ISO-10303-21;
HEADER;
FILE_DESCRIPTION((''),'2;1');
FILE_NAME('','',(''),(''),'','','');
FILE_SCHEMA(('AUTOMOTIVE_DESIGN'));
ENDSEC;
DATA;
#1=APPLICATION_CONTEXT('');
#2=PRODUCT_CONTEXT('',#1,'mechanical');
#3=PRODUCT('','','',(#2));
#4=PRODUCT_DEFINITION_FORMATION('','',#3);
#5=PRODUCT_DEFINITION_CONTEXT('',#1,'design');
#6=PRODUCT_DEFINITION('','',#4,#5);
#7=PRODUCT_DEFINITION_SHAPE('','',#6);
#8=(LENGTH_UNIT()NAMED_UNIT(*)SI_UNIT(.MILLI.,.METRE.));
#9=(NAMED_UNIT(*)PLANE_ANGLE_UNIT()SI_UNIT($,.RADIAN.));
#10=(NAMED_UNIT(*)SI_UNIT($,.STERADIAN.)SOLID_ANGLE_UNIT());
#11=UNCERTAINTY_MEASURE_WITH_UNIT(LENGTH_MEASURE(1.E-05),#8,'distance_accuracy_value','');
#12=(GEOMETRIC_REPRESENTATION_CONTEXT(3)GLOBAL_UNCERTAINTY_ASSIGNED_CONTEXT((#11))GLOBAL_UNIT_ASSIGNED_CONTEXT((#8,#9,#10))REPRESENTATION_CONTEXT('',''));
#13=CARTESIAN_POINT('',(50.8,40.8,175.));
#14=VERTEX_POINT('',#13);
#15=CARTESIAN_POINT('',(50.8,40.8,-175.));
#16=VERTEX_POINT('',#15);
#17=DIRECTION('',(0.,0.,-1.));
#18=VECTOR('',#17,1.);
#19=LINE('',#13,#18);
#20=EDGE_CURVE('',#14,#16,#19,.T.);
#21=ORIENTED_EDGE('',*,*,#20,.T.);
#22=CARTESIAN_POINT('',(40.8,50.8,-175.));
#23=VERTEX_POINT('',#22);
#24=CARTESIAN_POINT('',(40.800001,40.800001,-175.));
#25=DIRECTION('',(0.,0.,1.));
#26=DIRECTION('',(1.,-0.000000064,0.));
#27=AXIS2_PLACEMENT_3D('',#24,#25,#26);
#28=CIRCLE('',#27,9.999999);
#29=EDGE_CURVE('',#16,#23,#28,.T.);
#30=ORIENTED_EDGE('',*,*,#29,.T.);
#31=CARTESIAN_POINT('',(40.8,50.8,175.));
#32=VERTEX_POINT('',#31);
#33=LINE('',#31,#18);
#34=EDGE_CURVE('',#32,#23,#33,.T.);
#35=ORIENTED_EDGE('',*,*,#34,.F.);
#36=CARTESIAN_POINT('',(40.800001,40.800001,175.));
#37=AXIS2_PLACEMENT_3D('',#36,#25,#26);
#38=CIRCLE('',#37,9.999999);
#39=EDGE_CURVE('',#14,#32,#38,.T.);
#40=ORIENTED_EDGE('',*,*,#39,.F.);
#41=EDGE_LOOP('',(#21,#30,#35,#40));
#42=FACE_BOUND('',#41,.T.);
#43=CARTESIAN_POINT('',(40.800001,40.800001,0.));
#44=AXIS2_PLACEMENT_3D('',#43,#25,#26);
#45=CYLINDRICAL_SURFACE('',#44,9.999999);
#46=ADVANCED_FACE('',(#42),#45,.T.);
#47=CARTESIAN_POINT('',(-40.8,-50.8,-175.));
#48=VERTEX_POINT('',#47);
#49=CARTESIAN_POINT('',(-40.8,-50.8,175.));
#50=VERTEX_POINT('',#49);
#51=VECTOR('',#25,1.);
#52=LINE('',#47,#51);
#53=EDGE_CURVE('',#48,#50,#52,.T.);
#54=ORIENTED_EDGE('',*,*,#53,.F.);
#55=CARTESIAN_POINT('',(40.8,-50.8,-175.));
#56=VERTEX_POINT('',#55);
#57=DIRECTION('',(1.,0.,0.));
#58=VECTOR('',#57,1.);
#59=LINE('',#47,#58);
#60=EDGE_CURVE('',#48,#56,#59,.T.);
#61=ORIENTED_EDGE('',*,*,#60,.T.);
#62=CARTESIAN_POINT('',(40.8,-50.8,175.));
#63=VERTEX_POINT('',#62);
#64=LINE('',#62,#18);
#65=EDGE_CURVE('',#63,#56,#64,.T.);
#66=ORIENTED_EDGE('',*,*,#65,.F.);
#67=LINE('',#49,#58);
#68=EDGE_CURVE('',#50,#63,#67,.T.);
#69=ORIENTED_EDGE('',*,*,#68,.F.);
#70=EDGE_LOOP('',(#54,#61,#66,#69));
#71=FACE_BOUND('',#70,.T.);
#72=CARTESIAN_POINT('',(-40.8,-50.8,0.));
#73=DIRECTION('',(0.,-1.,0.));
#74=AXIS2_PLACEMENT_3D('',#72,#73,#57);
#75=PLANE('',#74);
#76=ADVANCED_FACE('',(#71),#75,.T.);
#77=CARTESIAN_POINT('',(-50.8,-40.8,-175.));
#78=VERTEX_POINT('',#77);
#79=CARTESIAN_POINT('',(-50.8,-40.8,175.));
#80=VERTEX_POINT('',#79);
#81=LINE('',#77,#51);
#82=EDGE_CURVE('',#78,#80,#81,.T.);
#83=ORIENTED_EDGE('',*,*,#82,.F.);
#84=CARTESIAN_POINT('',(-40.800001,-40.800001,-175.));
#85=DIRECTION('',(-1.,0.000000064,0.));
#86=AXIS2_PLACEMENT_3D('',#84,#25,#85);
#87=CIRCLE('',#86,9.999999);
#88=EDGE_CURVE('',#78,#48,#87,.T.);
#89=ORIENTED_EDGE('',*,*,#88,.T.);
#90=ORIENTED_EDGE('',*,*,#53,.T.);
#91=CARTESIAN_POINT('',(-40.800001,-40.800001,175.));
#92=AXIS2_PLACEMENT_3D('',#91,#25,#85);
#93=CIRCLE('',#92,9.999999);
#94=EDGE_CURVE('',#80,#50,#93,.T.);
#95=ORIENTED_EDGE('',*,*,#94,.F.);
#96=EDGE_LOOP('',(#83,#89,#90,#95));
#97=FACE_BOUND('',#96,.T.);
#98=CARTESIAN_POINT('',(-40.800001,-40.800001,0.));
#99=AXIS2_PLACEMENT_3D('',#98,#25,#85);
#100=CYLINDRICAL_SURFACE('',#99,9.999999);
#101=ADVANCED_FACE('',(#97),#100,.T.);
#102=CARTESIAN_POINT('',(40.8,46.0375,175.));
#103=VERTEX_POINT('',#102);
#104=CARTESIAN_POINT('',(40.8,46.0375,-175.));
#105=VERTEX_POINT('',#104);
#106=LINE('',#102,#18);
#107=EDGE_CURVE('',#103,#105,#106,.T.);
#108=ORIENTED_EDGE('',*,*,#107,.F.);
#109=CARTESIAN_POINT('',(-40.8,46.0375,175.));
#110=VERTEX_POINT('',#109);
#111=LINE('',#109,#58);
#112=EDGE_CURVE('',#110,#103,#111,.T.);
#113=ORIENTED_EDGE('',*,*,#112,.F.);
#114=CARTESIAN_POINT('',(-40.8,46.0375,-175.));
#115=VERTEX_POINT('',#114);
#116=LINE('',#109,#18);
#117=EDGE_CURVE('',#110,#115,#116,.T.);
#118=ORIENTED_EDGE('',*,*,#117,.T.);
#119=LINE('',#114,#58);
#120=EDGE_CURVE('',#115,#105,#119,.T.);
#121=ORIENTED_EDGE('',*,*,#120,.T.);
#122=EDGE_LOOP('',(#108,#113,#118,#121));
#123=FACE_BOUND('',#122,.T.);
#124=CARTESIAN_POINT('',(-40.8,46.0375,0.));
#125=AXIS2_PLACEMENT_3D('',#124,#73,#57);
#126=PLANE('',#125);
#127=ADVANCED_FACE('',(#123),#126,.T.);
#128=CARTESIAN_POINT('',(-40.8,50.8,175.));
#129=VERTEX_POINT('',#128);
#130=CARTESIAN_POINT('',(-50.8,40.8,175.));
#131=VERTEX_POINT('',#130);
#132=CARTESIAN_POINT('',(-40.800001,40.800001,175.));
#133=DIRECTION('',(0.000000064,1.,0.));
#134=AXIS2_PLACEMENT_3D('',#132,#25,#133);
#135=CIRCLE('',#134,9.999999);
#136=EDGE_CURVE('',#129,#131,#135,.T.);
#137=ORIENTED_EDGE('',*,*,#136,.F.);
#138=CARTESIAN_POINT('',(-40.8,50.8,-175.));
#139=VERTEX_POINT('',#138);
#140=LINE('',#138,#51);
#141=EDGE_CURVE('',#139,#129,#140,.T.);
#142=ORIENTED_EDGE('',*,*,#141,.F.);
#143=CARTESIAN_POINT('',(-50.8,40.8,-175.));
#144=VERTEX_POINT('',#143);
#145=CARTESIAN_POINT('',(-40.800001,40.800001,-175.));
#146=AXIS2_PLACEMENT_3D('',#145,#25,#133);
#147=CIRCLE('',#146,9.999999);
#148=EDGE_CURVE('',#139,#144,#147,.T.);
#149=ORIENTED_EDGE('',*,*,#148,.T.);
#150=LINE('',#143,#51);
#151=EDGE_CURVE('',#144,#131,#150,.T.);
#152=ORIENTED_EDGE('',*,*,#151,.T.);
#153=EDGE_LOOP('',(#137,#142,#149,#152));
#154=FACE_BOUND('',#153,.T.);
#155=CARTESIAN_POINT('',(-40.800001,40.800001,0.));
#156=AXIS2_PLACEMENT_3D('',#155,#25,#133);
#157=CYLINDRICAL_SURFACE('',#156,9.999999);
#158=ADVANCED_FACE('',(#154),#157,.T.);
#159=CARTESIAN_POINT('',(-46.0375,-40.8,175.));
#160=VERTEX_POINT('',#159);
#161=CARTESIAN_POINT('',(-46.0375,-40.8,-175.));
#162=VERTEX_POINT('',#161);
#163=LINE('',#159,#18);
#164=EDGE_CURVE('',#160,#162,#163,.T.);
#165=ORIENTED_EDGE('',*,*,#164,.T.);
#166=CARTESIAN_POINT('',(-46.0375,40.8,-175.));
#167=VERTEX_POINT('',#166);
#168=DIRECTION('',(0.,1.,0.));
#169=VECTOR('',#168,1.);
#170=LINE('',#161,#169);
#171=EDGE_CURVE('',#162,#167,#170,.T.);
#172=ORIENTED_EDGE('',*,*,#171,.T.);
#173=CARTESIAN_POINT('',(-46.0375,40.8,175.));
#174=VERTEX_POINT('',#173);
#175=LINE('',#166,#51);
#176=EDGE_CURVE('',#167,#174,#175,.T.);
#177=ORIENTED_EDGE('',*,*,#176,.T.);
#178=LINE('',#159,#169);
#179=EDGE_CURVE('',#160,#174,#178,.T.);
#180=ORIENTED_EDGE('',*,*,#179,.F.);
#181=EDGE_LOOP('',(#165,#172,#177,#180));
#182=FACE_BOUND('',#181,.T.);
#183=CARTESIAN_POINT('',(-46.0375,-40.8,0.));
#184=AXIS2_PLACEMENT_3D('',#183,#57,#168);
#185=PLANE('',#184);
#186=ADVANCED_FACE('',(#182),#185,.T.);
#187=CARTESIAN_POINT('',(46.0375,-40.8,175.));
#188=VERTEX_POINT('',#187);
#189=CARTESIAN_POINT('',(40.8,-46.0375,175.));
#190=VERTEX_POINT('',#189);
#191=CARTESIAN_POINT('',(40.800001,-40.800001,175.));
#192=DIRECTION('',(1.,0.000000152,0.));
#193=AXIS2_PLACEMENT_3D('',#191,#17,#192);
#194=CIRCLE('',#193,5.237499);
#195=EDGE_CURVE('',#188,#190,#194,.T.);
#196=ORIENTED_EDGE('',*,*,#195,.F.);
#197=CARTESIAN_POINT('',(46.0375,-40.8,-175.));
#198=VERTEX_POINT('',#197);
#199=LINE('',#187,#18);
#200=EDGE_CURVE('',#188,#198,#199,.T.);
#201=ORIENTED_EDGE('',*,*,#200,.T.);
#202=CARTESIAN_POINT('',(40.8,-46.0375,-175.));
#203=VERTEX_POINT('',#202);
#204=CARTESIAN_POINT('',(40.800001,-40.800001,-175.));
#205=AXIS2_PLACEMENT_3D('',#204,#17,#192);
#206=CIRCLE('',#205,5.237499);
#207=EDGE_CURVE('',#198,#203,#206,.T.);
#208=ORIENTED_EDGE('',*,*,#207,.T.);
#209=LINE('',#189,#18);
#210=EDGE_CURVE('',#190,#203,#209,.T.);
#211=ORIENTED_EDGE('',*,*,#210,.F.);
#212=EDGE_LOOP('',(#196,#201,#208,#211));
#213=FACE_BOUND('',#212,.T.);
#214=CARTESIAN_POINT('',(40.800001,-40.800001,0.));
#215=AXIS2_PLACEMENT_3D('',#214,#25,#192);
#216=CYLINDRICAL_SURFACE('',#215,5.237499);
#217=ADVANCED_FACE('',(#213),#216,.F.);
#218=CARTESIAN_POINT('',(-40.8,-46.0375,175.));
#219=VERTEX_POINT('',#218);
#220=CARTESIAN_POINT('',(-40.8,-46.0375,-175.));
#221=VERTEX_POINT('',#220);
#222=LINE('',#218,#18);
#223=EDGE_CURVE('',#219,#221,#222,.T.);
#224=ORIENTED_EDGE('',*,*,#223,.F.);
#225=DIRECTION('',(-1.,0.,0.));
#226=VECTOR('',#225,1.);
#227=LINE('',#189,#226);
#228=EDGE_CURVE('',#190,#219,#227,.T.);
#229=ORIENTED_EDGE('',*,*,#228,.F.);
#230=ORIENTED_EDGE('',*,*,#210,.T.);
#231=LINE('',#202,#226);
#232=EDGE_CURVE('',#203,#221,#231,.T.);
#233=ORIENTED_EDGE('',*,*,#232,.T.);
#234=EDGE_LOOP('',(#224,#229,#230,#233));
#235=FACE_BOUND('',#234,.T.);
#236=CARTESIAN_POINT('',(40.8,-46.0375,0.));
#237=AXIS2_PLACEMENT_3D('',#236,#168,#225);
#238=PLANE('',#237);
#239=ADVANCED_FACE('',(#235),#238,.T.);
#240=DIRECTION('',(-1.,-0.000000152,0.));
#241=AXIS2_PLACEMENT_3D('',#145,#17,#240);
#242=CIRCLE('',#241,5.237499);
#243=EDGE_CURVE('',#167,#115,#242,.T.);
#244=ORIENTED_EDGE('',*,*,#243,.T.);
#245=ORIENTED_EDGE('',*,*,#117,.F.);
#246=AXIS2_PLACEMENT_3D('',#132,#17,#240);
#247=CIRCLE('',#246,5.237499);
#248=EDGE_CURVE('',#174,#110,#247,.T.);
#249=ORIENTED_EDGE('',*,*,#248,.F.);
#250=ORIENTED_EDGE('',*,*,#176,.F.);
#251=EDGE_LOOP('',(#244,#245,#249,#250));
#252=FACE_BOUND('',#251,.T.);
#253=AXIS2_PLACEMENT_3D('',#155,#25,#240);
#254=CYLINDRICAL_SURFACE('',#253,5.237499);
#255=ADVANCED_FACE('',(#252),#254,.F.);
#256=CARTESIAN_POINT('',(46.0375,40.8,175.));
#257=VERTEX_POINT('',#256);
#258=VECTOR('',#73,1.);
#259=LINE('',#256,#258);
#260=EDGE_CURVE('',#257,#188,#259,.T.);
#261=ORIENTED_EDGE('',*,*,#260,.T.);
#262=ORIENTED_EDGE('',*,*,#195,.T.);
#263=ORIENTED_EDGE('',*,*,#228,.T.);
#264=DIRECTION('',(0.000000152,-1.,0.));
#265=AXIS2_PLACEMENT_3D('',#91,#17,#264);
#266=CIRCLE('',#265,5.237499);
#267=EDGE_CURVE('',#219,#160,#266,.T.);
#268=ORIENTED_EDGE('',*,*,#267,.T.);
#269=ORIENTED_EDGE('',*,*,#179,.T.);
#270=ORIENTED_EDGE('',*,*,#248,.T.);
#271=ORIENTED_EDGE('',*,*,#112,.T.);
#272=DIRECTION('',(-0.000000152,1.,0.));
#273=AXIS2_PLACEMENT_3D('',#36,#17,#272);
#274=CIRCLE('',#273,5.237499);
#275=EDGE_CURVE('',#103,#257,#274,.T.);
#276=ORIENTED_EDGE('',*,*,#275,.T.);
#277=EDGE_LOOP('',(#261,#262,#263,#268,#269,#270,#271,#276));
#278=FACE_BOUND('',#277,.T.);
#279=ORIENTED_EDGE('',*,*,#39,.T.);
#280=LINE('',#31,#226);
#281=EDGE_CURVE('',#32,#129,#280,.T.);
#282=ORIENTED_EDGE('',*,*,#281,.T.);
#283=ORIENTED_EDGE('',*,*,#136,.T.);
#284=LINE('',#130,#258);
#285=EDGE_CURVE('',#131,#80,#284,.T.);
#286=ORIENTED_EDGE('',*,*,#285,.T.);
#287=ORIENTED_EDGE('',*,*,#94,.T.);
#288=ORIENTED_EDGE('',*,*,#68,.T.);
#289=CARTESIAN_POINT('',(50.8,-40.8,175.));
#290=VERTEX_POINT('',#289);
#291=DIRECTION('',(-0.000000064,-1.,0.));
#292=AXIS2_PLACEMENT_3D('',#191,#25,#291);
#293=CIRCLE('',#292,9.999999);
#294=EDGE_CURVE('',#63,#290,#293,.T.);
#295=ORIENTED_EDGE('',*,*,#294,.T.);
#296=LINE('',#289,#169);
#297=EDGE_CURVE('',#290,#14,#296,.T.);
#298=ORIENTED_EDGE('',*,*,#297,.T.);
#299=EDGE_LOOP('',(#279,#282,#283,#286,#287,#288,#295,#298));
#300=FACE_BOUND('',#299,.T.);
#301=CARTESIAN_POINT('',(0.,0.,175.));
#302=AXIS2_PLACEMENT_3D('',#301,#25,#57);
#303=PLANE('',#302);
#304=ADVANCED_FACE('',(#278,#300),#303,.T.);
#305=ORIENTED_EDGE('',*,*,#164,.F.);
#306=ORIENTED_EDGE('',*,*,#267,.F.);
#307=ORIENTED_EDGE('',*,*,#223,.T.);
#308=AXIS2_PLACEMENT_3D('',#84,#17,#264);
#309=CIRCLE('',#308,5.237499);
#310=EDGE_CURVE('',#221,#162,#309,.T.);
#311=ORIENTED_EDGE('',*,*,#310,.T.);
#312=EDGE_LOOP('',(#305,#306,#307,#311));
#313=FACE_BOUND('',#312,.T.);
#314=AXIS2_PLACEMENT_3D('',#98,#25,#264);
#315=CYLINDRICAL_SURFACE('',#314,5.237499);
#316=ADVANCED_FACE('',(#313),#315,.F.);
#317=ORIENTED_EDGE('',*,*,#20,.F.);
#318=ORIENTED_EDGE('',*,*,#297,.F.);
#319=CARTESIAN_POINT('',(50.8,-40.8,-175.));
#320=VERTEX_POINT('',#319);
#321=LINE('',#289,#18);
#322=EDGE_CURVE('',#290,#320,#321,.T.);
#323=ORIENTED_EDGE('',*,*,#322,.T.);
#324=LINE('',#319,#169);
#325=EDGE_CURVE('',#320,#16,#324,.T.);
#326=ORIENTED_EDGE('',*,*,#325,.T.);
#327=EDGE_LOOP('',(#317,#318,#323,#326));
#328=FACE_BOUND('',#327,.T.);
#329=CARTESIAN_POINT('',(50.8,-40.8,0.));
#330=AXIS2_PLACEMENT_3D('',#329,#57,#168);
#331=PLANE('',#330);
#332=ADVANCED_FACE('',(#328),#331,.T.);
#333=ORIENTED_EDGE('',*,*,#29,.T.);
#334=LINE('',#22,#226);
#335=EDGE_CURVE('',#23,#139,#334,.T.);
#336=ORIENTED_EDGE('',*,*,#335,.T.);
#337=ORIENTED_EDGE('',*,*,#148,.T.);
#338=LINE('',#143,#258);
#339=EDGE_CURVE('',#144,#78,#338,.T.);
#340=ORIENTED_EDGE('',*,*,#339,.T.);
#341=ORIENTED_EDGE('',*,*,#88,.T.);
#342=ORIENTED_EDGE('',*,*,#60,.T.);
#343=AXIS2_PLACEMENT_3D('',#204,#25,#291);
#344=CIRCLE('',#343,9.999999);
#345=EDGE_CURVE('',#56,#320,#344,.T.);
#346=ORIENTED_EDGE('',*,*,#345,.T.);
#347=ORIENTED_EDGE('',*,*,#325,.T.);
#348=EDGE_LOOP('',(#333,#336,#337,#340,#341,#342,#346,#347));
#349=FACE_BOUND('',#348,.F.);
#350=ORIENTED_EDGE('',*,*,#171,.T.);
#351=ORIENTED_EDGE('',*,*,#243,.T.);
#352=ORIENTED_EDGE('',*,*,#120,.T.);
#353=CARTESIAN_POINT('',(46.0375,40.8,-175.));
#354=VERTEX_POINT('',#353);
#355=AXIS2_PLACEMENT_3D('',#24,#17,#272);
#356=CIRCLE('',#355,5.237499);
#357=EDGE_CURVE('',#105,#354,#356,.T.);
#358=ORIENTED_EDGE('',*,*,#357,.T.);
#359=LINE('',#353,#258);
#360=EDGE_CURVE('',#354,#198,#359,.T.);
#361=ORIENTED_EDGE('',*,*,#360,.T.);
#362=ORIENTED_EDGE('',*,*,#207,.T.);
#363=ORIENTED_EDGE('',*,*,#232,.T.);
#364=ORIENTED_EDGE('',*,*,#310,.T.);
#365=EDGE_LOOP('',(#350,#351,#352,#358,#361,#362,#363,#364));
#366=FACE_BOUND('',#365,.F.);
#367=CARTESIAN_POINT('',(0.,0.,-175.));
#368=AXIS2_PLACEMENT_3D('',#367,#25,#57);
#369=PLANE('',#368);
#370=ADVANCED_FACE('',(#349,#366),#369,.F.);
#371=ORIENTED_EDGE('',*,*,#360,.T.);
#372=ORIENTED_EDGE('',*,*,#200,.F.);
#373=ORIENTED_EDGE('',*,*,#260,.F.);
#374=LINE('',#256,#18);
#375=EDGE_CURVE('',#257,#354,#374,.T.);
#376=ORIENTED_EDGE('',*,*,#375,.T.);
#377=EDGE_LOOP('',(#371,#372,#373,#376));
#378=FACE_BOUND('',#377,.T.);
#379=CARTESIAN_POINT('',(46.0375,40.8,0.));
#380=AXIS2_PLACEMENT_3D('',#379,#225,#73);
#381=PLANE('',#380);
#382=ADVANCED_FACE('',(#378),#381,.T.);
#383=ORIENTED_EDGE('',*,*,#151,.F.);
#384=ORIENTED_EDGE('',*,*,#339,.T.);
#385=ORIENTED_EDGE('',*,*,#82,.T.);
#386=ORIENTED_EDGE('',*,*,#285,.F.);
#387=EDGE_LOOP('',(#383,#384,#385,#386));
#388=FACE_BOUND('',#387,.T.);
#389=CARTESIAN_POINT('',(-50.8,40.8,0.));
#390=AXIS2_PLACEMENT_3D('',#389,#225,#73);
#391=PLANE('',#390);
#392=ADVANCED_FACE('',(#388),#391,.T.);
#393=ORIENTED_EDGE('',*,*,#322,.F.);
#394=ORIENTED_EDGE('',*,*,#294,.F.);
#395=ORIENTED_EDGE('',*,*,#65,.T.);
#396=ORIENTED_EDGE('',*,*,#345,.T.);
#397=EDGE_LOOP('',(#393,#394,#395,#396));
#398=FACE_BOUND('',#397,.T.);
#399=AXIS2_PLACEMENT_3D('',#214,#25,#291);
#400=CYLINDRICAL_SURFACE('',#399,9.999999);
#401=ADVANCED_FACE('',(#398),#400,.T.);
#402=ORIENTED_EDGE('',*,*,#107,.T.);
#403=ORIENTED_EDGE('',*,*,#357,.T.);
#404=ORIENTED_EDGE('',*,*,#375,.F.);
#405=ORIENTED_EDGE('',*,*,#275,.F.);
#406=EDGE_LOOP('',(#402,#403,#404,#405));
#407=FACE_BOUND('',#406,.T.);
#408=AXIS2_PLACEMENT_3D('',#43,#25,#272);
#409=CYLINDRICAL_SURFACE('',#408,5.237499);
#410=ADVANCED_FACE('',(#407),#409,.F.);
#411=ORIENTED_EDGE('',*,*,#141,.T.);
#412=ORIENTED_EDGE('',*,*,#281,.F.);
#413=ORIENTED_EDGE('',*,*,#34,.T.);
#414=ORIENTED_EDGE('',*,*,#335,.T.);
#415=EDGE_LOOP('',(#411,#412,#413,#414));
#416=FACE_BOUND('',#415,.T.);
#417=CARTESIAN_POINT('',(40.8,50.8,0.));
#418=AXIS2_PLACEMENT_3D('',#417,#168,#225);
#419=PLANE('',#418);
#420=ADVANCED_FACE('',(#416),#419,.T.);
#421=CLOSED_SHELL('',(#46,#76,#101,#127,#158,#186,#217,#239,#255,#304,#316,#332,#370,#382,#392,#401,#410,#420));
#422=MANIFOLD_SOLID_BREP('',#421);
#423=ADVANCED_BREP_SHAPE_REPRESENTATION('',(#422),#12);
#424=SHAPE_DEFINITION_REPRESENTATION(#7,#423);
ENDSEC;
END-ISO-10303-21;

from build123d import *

# Parameters (mm, degrees)
F1_DEPTH = 175


with BuildPart() as f1:
    # F0 (on Top) → F1 (new body, symmetric)
    with BuildSketch(Plane.XY):
        with BuildLine():
            Line((40.8, 50.8), (-40.8, 50.8))
            ThreePointArc((-40.8, 50.8), (-47.871068, 47.871068), (-50.8, 40.8))
            Line((-50.8, 40.8), (-50.8, -40.8))
            ThreePointArc((-50.8, -40.8), (-47.871068, -47.871068), (-40.8, -50.8))
            Line((-40.8, -50.8), (40.8, -50.8))
            ThreePointArc((40.8, -50.8), (47.871068, -47.871068), (50.8, -40.8))
            Line((50.8, -40.8), (50.8, 40.8))
            ThreePointArc((50.8, 40.8), (47.871068, 47.871068), (40.8, 50.8))
        make_face()
        with BuildLine():
            ThreePointArc((-46.0375, 40.8), (-44.503472, 44.503472), (-40.8, 46.0375))
            Line((-40.8, 46.0375), (40.8, 46.0375))
            ThreePointArc((40.8, 46.0375), (44.503472, 44.503472), (46.0375, 40.8))
            Line((46.0375, 40.8), (46.0375, -40.8))
            ThreePointArc((46.0375, -40.8), (44.503472, -44.503472), (40.8, -46.0375))
            Line((40.8, -46.0375), (-40.8, -46.0375))
            ThreePointArc((-40.8, -46.0375), (-44.503472, -44.503472), (-46.0375, -40.8))
            Line((-46.0375, -40.8), (-46.0375, 40.8))
        make_face(mode=Mode.SUBTRACT)
    extrude(amount=F1_DEPTH, both=True)


solid = f1.part
